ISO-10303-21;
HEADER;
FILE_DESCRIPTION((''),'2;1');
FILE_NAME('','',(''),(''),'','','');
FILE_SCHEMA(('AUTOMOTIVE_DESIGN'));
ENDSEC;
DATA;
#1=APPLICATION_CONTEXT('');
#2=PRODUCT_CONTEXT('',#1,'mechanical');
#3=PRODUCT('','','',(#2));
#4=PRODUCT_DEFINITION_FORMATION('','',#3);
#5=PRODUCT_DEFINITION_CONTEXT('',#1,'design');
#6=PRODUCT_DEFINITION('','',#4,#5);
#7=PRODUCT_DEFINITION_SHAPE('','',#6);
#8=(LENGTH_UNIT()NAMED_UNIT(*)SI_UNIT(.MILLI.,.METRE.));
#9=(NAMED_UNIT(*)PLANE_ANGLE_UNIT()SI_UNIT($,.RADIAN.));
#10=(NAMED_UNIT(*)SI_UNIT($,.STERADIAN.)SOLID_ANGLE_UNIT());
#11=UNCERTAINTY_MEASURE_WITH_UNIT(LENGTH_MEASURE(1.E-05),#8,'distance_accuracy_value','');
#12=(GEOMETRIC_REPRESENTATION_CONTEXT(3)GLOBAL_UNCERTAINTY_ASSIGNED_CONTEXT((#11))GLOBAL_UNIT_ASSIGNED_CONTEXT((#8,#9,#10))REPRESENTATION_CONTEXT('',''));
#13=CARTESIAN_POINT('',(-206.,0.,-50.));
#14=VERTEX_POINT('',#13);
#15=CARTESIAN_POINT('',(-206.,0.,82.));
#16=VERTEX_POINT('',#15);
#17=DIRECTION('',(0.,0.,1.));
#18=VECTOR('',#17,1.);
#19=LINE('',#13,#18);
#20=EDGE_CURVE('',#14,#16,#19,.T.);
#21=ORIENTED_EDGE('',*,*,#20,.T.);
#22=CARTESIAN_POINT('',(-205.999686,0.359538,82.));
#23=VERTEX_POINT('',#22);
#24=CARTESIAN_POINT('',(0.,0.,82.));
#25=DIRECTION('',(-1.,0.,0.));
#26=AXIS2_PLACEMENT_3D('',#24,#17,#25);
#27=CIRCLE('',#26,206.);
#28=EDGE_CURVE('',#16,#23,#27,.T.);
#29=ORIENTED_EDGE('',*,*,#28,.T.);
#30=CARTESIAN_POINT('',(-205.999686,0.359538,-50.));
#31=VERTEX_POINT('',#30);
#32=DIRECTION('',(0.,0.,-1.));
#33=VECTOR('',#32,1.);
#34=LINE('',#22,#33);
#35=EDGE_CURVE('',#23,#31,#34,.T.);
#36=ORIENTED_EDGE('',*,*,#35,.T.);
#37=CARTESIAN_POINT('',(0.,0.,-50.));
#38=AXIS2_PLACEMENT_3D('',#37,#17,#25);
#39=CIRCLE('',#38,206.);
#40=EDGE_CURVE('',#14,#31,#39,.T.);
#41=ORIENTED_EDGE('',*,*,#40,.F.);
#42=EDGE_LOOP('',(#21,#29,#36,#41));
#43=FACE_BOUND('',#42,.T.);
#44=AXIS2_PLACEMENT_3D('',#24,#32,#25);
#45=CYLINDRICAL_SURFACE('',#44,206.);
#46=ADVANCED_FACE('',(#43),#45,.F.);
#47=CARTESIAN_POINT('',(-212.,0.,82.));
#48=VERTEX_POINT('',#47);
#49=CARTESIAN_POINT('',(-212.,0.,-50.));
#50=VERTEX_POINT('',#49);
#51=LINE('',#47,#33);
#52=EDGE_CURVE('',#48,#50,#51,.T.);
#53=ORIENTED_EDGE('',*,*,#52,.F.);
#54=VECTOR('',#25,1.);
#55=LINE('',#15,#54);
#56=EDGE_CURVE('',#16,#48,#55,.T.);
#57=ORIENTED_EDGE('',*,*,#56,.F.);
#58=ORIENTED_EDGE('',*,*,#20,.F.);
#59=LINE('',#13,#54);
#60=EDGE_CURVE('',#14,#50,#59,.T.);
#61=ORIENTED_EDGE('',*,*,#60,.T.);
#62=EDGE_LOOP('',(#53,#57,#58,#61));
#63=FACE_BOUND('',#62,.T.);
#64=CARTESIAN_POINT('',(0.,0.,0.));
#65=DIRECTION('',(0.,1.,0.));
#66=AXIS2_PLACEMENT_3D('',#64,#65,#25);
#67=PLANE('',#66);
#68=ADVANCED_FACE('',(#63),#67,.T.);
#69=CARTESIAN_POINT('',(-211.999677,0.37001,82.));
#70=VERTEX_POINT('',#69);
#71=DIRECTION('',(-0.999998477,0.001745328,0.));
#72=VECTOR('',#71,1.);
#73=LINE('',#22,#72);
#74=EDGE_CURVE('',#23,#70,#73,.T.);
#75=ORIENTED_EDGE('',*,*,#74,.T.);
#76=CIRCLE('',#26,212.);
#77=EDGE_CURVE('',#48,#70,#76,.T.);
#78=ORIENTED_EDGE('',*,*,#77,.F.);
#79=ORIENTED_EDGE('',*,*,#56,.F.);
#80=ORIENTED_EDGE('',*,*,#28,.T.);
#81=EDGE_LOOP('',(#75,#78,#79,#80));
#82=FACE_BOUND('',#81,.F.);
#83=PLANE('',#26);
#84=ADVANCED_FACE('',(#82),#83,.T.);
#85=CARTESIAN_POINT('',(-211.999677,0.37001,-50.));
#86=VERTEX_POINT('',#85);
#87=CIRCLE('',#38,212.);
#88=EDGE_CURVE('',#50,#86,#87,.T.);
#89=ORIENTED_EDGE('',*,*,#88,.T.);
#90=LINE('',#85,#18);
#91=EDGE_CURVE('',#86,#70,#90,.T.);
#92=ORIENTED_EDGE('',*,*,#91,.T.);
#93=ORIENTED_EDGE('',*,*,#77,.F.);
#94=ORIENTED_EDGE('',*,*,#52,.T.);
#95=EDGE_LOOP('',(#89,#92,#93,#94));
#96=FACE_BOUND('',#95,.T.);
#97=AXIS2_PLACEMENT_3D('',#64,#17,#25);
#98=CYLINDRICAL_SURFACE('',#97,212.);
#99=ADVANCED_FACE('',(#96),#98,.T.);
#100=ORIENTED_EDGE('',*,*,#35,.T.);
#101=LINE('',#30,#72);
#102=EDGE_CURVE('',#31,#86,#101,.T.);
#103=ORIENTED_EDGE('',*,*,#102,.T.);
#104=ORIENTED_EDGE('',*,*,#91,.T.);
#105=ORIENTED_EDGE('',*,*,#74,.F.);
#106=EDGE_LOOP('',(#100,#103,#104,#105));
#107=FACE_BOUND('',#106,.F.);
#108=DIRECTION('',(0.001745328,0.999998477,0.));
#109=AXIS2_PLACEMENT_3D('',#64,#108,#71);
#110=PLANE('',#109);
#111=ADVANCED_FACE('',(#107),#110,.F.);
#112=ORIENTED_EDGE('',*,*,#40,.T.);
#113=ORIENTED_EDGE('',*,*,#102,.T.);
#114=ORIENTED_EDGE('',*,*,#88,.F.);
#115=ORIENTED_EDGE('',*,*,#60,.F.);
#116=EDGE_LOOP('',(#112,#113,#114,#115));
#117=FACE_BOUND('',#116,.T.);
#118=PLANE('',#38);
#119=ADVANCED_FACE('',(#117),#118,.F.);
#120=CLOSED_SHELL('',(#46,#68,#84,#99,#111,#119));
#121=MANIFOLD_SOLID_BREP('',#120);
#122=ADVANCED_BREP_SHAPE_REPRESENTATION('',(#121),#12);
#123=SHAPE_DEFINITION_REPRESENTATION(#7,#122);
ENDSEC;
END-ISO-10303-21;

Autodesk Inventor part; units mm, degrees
ref_plane "YZ Plane" through (0, 0, 0) normal (1, 0, 0) x (0, 1, 0)
ref_plane "XZ Plane" through (0, 0, 0) normal (0, 1, 0) x (-1, 0, 0)
ref_plane "XY Plane" through (0, 0, 0) normal (0, 0, 1) x (1, 0, 0)
sketch "Sketch1" plane through (0, 0, 0) normal (0, 1, 0) x (-1, 0, 0)
  line L0 (206, 82) -> (206, 0)
  line L1 (206, 0) -> (212, 0)
  line L2 (0, 0) -> (0, 109.131)
  line L3 (206, 82) -> (212, 82)
  line L4 (212, 0) -> (212, 82)
  line L5 (212, 0) -> (206, 0)
  line L6 (206, 0) -> (206, -50)
  line L7 (206, -50) -> (212, -50)
  line L8 (212, -50) -> (212, 0)
  point P0 (209, 0)
  point P1 (212, 0)
  point P2 (206, 0)
  point P3 (206, 0)
  dimension "d3" = 6
  dimension "d5" = 82
  dimension "d7" = 6
  dimension "d8" = 50
  dimension "d12" = 424
revolve "Revolution1" add sketch "Sketch1" angle 359.9 about axis through (0, 0, 0) along (0, 0, 1)
sketch "Sketch2" plane through (0, 0, 0) normal (0, 1, 0) x (-1, 0, 0)
  circle A0 centre (0, -606) radius 606
  point P0 (0, 0)
  dimension "d9" = 1212
extrude "Extrusion1" [suppressed]
equation "\"d5\" = Accsess_hatch_lenght"
equation "\"d7\" = d3"
equation "\"BendRadius\" = Thickness"
equation "\"BendReliefWidth\" = Thickness"
equation "\"BendReliefDepth\" = 0.5 * Thickness"
equation "\"CornerReliefSize\" = 4 * Thickness"
equation "\"MinimumRemnant\" = 2 * Thickness"
equation "\"TransitionRadius\" = BendRadius"
equation "\"JacobiRadiusSize\" = BendRadius"
equation "\"GapSize\" = Thickness"
equation "\"Accsess_hatch_lenght\" = 82"
equation "\"Thickness\" = 6"
properties part number "TZS 1204 accses hatch tube" material "Steel"
